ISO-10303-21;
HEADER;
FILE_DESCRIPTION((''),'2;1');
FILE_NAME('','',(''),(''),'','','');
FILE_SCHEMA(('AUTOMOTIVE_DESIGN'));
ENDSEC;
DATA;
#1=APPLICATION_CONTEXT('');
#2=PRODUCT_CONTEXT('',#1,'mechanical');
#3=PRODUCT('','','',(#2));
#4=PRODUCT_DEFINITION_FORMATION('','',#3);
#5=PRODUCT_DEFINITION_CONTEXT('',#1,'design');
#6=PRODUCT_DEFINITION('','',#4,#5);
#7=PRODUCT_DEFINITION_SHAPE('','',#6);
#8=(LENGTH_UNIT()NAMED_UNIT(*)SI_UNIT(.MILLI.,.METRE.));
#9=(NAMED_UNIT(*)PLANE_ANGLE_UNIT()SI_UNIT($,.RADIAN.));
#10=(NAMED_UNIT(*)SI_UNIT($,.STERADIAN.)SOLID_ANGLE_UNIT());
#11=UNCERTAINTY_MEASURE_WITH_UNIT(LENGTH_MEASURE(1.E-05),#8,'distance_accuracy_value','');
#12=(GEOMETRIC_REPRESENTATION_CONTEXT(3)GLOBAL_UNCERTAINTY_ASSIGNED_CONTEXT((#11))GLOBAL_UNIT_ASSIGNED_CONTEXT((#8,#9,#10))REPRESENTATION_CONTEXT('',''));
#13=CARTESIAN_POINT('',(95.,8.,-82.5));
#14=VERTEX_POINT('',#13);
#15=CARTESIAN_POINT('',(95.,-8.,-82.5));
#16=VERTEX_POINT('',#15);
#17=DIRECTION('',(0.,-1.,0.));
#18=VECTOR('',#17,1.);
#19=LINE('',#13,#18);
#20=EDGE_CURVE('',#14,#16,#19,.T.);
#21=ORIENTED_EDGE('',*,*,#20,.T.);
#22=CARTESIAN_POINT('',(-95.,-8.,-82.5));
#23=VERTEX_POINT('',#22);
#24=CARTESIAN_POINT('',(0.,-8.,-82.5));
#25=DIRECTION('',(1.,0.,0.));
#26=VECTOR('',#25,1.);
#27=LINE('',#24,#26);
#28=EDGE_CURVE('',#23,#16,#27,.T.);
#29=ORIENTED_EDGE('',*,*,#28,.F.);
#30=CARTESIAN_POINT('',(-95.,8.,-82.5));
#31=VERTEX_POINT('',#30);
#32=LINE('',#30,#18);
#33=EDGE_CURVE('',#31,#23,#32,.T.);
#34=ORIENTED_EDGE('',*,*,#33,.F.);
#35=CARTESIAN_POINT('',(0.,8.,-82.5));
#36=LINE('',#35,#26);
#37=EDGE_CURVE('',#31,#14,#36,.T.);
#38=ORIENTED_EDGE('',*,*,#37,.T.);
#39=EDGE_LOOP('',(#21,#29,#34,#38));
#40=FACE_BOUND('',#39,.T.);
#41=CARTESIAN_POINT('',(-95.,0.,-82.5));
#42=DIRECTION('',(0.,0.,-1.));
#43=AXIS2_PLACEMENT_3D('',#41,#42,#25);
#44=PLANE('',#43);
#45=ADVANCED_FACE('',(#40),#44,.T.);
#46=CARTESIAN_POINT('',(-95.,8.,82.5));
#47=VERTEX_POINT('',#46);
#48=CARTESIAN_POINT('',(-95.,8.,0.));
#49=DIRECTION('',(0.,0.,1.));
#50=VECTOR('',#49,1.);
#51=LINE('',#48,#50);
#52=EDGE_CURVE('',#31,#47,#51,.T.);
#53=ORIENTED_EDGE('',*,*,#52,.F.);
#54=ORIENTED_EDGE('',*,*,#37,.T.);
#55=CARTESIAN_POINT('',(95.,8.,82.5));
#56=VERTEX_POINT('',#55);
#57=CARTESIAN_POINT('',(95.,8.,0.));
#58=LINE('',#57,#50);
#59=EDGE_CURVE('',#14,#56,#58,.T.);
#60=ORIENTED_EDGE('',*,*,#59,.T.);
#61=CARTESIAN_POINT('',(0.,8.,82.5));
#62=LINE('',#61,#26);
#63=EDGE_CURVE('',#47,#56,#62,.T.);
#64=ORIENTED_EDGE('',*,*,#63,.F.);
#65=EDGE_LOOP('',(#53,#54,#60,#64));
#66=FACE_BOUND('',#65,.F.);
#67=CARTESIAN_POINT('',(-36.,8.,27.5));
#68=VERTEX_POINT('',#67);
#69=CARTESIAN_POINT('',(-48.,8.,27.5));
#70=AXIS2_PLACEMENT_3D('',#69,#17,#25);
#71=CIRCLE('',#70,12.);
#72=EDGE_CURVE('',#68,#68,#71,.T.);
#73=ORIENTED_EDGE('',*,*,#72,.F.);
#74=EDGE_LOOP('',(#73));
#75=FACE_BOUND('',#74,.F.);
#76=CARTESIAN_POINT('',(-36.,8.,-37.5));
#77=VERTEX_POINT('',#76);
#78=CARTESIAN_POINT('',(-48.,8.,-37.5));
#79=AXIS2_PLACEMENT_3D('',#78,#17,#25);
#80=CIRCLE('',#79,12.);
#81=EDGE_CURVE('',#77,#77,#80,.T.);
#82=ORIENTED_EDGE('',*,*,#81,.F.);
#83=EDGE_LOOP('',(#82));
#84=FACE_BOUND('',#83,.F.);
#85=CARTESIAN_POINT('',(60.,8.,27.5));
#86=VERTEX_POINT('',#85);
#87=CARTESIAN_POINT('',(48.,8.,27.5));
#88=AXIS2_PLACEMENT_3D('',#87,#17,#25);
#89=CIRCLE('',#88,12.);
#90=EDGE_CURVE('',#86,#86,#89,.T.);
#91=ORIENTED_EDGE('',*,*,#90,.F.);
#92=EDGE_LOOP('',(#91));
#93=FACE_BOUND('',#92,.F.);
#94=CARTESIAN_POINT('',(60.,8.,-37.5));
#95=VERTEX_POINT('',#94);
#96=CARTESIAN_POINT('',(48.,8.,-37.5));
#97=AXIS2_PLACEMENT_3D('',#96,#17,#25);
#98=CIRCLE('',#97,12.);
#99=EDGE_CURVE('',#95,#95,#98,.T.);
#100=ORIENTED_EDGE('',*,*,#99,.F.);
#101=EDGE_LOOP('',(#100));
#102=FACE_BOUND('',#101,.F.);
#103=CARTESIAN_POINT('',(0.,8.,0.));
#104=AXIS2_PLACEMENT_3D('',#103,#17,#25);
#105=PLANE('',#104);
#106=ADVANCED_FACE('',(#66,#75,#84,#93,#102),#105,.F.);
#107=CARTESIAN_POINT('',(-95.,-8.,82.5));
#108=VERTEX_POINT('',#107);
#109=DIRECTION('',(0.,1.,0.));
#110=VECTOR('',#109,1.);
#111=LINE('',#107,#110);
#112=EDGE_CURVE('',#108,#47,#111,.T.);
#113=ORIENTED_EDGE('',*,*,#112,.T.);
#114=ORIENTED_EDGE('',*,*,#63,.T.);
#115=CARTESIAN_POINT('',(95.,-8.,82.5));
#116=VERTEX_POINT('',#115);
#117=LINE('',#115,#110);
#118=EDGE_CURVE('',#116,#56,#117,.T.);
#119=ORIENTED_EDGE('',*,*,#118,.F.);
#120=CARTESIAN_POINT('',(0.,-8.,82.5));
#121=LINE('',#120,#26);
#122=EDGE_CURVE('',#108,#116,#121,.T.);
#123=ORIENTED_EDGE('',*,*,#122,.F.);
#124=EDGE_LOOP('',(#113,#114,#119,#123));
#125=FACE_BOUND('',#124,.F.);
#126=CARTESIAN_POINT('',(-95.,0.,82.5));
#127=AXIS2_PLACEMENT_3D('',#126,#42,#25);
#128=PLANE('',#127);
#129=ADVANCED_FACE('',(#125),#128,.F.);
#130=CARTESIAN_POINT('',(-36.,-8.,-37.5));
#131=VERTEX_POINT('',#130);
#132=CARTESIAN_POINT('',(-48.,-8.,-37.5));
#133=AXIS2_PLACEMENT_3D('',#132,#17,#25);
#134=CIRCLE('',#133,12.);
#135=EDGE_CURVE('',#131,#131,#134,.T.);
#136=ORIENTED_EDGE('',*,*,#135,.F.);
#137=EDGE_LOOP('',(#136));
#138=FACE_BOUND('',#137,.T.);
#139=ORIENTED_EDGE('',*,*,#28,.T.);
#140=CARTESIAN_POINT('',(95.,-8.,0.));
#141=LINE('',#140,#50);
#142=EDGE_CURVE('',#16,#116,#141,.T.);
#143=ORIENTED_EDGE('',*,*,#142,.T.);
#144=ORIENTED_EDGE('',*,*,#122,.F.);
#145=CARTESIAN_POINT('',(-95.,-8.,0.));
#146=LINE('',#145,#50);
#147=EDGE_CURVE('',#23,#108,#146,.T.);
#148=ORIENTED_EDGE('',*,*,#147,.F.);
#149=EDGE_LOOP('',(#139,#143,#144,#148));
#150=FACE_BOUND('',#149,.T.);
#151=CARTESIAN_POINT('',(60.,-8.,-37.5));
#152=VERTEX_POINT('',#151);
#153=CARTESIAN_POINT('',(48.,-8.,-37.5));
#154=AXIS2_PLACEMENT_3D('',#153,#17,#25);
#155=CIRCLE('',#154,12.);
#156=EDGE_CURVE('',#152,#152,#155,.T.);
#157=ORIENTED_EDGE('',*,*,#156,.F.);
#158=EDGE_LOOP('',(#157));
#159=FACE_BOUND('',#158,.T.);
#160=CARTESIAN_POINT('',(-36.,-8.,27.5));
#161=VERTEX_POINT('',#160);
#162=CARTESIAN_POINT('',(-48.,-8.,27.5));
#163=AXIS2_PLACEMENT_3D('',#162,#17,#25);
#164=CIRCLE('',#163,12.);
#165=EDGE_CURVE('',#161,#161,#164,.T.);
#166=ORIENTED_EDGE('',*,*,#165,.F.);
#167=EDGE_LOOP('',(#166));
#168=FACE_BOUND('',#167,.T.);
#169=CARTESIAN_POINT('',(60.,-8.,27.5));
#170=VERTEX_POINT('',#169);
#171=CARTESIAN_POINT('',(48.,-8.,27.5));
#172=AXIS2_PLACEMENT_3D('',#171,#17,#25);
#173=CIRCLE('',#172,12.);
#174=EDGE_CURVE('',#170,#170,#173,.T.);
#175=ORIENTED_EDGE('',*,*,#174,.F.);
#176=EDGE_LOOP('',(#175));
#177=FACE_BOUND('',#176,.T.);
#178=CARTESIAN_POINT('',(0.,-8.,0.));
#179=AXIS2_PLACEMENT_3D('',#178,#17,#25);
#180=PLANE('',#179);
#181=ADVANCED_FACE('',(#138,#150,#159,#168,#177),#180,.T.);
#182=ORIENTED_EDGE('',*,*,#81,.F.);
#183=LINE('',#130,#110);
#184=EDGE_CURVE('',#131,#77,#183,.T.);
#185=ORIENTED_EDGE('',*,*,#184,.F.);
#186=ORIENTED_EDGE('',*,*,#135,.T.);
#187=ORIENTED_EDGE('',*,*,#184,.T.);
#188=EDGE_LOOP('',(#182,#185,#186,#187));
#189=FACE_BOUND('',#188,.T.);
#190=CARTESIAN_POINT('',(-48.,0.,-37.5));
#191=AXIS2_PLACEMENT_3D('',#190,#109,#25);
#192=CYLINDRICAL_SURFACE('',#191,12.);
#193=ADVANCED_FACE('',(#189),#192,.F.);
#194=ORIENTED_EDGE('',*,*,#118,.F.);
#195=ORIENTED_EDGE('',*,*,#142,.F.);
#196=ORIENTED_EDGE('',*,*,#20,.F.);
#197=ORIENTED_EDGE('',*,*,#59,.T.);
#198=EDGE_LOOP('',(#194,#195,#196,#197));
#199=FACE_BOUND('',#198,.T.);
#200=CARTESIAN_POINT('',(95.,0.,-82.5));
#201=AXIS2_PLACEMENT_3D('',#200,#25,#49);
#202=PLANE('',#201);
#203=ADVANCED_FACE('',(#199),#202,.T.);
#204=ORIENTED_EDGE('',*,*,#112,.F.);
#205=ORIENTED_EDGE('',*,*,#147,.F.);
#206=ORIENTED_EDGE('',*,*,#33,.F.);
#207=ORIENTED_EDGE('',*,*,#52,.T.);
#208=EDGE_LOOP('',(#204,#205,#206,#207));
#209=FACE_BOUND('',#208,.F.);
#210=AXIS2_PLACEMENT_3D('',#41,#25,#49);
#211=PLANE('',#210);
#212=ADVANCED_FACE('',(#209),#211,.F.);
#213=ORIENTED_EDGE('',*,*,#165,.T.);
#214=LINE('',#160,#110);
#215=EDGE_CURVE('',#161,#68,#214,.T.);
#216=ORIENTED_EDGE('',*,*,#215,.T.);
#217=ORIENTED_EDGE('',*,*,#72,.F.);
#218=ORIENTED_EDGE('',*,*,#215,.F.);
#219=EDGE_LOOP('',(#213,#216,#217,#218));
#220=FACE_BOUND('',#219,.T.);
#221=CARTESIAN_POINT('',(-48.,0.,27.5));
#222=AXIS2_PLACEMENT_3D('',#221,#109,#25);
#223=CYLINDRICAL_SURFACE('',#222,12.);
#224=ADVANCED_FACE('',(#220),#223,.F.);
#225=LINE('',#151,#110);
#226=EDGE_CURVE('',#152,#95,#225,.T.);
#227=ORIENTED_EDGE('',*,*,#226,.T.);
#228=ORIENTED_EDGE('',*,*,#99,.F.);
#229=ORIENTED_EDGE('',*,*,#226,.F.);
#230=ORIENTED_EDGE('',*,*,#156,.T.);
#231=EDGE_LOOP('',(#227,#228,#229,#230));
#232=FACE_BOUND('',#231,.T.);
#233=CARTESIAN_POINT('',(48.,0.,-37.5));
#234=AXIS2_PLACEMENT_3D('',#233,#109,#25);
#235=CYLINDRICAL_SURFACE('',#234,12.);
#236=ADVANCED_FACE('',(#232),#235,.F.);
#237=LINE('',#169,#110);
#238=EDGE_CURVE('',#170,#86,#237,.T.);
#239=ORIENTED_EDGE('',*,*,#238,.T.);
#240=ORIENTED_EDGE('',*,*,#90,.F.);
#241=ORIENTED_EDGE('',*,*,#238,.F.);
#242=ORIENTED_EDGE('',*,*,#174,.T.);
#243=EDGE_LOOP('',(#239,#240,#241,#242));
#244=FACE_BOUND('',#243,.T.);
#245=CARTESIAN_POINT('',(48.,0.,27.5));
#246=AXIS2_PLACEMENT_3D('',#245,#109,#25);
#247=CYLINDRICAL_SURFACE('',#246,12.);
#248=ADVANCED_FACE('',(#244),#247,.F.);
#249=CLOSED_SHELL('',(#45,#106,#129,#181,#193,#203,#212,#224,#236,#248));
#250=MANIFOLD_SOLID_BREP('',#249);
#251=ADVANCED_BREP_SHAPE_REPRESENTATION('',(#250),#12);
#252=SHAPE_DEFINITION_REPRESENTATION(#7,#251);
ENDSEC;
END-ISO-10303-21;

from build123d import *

# Parameters (mm, degrees)
F0_W     = 190
F0_H     = 165
F0_R     = 12
F1_DEPTH = 8


with BuildPart() as f1:
    # F0 (on Front) → F1 (new body, symmetric)
    with BuildSketch(Plane.XZ):
        Rectangle(F0_W, F0_H)
        with Locations((-48, -37.5)):
            Circle(F0_R, mode=Mode.SUBTRACT)
        with Locations((48, -37.5)):
            Circle(F0_R, mode=Mode.SUBTRACT)
        with Locations((-48, 27.5)):
            Circle(F0_R, mode=Mode.SUBTRACT)
        with Locations((48, 27.5)):
            Circle(F0_R, mode=Mode.SUBTRACT)
    extrude(amount=F1_DEPTH, both=True)


solid = f1.part
